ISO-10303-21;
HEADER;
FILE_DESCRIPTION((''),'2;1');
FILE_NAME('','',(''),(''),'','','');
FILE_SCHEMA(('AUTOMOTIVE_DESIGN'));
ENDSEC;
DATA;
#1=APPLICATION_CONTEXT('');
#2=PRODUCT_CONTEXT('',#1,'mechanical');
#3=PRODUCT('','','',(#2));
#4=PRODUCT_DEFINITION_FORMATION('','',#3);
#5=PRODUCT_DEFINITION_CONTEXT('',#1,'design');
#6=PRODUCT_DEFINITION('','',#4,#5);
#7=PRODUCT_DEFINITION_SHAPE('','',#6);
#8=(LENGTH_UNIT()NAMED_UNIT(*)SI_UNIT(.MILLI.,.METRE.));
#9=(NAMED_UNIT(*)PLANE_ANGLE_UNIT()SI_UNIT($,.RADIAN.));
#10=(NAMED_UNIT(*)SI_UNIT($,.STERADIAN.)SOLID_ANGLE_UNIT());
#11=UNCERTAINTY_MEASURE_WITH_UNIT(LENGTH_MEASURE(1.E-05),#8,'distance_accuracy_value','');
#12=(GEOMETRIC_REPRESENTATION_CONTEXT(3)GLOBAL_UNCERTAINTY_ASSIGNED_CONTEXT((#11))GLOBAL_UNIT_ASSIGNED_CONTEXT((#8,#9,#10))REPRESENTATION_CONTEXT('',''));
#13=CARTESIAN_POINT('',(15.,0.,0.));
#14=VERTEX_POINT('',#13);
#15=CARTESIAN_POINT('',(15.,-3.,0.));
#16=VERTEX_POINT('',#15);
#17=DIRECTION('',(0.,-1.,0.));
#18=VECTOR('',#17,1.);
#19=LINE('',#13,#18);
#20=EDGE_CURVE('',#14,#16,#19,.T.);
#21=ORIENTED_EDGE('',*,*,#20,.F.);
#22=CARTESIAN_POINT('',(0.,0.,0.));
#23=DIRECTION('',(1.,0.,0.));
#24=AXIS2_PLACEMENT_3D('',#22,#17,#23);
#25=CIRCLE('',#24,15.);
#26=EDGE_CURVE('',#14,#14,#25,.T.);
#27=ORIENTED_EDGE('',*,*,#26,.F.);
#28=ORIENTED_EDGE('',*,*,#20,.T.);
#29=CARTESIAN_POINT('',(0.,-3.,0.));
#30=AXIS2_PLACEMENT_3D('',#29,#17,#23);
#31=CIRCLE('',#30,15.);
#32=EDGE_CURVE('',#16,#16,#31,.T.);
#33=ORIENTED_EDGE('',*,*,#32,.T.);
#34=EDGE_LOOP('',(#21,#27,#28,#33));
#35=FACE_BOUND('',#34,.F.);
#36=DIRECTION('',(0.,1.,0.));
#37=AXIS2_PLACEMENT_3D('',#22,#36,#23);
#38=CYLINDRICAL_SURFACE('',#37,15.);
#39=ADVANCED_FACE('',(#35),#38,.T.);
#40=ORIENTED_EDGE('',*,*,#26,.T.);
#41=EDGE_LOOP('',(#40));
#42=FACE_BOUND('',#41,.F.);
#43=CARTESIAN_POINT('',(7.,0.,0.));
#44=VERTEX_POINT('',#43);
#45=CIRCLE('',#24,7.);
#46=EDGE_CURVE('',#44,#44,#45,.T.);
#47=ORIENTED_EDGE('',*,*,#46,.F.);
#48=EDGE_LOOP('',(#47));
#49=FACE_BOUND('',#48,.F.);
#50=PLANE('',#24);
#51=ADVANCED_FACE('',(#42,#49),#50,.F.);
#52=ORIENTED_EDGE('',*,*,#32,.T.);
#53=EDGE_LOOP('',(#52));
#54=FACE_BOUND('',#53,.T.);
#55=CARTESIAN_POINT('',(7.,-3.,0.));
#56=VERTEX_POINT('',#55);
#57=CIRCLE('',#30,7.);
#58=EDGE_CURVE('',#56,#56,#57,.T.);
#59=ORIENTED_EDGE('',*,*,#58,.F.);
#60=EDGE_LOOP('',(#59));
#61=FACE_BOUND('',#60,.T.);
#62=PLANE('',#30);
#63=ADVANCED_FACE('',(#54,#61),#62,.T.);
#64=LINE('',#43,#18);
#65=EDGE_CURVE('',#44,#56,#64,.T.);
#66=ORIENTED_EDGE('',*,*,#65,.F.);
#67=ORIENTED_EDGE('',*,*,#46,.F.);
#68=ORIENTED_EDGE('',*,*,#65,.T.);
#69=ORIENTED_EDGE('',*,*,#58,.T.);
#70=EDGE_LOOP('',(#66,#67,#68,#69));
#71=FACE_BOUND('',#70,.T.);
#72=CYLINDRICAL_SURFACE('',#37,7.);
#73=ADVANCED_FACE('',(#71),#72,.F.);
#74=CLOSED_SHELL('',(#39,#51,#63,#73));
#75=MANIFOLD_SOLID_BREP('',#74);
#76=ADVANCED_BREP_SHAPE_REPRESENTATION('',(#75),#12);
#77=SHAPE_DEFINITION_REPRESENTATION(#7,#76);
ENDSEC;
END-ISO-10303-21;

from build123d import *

# Parameters (mm, degrees)
SKETCH_R   = 15
SKETCH_R_2 = 7
PAD_DEPTH  = 3


with BuildPart() as part:
    # Sketch → Pad (new body)
    with BuildSketch(Plane.XZ):
        Circle(SKETCH_R)
        Circle(SKETCH_R_2, mode=Mode.SUBTRACT)
    extrude(amount=PAD_DEPTH)


solid = part.part
